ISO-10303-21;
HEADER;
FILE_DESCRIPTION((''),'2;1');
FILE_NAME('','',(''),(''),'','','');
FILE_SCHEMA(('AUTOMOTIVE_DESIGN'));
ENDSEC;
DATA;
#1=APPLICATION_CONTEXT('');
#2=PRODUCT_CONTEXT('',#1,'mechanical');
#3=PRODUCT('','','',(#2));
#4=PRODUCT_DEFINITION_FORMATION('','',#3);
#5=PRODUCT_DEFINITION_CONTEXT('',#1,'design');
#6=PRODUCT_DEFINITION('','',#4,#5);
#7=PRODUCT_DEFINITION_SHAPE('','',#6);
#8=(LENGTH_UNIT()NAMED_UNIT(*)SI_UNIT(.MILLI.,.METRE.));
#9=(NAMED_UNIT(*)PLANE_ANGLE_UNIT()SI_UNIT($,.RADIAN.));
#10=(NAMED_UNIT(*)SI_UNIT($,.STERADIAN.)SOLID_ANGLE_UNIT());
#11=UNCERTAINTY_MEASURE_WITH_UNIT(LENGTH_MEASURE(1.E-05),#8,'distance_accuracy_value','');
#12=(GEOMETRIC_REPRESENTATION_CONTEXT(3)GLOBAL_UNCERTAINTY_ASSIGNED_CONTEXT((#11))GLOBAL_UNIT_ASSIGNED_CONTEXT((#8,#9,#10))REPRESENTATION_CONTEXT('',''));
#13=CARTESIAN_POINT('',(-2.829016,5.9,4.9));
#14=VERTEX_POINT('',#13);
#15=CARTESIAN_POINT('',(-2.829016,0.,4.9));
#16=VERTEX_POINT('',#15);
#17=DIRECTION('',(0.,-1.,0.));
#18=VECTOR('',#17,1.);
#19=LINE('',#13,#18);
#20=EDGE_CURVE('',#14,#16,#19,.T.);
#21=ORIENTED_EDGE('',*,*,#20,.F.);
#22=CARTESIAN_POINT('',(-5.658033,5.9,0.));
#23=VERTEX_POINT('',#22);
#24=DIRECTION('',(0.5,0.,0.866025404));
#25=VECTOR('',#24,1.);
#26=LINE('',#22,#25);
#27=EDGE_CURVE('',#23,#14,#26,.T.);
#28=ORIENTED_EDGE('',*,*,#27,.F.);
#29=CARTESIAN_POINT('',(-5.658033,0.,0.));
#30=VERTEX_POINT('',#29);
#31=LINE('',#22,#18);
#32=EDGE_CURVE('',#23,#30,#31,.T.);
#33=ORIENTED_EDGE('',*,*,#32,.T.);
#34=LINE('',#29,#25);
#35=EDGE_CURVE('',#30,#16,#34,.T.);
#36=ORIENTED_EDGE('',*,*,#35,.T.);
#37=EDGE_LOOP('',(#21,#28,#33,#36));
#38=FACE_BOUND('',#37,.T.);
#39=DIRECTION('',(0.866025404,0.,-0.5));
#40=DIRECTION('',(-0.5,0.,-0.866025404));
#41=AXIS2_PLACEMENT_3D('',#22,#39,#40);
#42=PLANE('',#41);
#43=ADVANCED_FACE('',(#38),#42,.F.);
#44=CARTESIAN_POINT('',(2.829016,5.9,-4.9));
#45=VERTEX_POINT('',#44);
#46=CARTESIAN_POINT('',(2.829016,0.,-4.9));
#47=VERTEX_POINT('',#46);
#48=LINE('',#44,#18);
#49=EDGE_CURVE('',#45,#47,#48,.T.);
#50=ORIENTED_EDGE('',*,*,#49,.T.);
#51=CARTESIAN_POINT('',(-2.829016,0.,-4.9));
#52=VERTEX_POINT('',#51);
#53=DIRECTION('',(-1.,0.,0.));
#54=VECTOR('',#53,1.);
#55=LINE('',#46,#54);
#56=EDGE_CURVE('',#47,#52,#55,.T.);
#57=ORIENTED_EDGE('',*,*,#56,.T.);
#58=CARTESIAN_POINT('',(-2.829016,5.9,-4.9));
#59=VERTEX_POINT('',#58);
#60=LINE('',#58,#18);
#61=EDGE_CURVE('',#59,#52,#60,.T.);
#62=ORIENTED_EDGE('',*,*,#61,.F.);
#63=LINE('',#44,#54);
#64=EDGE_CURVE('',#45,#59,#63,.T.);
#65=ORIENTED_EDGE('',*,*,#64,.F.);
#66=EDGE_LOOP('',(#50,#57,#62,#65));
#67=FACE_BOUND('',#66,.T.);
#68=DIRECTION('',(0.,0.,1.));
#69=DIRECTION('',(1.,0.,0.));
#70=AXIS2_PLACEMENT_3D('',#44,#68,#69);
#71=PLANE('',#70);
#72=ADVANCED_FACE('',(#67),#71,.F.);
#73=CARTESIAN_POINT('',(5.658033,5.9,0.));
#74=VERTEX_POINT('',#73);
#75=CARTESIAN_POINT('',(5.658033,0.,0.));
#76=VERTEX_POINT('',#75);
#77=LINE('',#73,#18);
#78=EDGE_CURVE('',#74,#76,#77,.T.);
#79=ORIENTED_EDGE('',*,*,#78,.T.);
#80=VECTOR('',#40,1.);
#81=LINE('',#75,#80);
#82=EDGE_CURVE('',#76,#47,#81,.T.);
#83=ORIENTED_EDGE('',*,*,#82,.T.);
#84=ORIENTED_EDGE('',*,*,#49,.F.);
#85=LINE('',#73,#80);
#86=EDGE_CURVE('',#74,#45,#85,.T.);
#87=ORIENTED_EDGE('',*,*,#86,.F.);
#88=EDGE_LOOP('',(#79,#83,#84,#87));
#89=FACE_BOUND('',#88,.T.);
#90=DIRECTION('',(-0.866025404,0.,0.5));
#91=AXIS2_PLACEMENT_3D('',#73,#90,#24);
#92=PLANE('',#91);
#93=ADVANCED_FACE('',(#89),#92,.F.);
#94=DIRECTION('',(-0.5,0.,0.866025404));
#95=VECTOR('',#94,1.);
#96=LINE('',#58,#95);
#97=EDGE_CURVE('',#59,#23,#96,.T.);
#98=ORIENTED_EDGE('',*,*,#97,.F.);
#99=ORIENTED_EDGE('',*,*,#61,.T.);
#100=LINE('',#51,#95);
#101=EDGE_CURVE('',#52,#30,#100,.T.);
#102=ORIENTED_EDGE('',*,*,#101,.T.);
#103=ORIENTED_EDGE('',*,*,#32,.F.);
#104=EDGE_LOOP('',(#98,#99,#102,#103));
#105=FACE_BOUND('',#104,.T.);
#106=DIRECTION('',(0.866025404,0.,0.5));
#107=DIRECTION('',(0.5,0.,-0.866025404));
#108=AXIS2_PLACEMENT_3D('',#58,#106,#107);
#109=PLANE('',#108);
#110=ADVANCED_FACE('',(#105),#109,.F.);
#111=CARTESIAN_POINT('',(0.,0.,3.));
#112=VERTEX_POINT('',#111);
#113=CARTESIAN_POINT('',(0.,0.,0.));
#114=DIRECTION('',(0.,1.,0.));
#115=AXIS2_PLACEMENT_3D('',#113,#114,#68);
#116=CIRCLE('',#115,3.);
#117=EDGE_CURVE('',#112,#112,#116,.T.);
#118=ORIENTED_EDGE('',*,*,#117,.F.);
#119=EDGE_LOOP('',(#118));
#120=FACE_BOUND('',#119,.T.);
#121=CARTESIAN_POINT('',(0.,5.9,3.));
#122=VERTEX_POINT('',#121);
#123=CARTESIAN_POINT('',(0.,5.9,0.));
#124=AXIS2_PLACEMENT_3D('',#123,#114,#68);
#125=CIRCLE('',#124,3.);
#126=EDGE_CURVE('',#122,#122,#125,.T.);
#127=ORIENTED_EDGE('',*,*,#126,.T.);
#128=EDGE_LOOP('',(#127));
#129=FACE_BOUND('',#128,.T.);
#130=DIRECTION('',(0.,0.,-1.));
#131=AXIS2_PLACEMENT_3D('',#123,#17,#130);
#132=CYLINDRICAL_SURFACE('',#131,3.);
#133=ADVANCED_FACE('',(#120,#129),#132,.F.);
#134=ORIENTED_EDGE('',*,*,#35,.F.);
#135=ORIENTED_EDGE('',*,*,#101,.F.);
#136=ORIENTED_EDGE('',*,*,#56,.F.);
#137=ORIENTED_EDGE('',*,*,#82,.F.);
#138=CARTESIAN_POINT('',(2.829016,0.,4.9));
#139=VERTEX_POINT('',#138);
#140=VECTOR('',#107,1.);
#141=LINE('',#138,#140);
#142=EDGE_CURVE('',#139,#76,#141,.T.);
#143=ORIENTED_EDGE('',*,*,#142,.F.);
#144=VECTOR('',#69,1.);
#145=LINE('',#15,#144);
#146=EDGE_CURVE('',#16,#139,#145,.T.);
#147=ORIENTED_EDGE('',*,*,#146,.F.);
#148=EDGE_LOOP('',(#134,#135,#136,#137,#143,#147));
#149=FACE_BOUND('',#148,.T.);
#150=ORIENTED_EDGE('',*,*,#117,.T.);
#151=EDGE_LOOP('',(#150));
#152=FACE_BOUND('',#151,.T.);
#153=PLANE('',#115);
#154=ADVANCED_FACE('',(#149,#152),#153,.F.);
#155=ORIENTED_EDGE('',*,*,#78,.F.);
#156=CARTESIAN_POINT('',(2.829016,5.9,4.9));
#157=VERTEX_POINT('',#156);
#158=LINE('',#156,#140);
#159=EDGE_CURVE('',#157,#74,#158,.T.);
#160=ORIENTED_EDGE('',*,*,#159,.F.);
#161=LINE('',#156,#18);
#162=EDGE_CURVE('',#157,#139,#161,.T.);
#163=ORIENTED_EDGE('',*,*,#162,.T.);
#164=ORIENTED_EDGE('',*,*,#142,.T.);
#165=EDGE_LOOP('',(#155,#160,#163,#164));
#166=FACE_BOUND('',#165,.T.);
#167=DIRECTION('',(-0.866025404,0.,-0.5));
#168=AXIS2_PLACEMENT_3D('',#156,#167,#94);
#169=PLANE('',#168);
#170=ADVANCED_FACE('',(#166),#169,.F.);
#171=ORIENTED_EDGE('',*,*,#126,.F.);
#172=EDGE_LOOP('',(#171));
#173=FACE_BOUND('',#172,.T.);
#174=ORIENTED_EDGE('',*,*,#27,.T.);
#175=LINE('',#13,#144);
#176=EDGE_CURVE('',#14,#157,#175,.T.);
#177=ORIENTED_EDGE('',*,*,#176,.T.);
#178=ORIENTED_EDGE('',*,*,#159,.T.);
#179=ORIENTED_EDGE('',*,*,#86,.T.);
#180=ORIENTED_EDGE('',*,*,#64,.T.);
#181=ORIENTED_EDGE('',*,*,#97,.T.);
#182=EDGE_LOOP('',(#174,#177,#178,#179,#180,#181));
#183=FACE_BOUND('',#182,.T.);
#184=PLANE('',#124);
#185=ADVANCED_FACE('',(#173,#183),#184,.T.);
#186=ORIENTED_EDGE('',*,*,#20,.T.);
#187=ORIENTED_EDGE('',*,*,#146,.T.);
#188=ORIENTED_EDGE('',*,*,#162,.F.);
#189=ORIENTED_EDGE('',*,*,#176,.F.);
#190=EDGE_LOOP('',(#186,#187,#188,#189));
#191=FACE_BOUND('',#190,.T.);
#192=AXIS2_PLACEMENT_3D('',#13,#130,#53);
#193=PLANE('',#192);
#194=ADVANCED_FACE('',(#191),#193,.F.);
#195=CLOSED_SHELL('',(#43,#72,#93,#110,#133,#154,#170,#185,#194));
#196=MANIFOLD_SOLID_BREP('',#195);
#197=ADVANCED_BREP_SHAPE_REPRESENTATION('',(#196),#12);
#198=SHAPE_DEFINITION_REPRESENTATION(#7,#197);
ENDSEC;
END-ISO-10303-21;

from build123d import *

# Parameters (mm, degrees)
SKETCH_1_R      = 3
EXTRUDE_1_DEPTH = 5.9


with BuildPart() as part:
    # 草图1 → 凸台-拉伸1 (new body)
    with BuildSketch(Plane(origin=(0, 0, 0), x_dir=(1, 0, 0), z_dir=(0, 1, 0))):
        Polygon((5.658032638, 0), (2.829016319, 4.9), (-2.829016319, 4.9), (-5.658032638, 0), (-2.829016319, -4.9), (2.829016319, -4.9), align=None)
        with Locations(Location((0, 0, 0), (0, 0, 270))):
            Circle(SKETCH_1_R, mode=Mode.SUBTRACT)
    extrude(amount=EXTRUDE_1_DEPTH)


solid = part.part
